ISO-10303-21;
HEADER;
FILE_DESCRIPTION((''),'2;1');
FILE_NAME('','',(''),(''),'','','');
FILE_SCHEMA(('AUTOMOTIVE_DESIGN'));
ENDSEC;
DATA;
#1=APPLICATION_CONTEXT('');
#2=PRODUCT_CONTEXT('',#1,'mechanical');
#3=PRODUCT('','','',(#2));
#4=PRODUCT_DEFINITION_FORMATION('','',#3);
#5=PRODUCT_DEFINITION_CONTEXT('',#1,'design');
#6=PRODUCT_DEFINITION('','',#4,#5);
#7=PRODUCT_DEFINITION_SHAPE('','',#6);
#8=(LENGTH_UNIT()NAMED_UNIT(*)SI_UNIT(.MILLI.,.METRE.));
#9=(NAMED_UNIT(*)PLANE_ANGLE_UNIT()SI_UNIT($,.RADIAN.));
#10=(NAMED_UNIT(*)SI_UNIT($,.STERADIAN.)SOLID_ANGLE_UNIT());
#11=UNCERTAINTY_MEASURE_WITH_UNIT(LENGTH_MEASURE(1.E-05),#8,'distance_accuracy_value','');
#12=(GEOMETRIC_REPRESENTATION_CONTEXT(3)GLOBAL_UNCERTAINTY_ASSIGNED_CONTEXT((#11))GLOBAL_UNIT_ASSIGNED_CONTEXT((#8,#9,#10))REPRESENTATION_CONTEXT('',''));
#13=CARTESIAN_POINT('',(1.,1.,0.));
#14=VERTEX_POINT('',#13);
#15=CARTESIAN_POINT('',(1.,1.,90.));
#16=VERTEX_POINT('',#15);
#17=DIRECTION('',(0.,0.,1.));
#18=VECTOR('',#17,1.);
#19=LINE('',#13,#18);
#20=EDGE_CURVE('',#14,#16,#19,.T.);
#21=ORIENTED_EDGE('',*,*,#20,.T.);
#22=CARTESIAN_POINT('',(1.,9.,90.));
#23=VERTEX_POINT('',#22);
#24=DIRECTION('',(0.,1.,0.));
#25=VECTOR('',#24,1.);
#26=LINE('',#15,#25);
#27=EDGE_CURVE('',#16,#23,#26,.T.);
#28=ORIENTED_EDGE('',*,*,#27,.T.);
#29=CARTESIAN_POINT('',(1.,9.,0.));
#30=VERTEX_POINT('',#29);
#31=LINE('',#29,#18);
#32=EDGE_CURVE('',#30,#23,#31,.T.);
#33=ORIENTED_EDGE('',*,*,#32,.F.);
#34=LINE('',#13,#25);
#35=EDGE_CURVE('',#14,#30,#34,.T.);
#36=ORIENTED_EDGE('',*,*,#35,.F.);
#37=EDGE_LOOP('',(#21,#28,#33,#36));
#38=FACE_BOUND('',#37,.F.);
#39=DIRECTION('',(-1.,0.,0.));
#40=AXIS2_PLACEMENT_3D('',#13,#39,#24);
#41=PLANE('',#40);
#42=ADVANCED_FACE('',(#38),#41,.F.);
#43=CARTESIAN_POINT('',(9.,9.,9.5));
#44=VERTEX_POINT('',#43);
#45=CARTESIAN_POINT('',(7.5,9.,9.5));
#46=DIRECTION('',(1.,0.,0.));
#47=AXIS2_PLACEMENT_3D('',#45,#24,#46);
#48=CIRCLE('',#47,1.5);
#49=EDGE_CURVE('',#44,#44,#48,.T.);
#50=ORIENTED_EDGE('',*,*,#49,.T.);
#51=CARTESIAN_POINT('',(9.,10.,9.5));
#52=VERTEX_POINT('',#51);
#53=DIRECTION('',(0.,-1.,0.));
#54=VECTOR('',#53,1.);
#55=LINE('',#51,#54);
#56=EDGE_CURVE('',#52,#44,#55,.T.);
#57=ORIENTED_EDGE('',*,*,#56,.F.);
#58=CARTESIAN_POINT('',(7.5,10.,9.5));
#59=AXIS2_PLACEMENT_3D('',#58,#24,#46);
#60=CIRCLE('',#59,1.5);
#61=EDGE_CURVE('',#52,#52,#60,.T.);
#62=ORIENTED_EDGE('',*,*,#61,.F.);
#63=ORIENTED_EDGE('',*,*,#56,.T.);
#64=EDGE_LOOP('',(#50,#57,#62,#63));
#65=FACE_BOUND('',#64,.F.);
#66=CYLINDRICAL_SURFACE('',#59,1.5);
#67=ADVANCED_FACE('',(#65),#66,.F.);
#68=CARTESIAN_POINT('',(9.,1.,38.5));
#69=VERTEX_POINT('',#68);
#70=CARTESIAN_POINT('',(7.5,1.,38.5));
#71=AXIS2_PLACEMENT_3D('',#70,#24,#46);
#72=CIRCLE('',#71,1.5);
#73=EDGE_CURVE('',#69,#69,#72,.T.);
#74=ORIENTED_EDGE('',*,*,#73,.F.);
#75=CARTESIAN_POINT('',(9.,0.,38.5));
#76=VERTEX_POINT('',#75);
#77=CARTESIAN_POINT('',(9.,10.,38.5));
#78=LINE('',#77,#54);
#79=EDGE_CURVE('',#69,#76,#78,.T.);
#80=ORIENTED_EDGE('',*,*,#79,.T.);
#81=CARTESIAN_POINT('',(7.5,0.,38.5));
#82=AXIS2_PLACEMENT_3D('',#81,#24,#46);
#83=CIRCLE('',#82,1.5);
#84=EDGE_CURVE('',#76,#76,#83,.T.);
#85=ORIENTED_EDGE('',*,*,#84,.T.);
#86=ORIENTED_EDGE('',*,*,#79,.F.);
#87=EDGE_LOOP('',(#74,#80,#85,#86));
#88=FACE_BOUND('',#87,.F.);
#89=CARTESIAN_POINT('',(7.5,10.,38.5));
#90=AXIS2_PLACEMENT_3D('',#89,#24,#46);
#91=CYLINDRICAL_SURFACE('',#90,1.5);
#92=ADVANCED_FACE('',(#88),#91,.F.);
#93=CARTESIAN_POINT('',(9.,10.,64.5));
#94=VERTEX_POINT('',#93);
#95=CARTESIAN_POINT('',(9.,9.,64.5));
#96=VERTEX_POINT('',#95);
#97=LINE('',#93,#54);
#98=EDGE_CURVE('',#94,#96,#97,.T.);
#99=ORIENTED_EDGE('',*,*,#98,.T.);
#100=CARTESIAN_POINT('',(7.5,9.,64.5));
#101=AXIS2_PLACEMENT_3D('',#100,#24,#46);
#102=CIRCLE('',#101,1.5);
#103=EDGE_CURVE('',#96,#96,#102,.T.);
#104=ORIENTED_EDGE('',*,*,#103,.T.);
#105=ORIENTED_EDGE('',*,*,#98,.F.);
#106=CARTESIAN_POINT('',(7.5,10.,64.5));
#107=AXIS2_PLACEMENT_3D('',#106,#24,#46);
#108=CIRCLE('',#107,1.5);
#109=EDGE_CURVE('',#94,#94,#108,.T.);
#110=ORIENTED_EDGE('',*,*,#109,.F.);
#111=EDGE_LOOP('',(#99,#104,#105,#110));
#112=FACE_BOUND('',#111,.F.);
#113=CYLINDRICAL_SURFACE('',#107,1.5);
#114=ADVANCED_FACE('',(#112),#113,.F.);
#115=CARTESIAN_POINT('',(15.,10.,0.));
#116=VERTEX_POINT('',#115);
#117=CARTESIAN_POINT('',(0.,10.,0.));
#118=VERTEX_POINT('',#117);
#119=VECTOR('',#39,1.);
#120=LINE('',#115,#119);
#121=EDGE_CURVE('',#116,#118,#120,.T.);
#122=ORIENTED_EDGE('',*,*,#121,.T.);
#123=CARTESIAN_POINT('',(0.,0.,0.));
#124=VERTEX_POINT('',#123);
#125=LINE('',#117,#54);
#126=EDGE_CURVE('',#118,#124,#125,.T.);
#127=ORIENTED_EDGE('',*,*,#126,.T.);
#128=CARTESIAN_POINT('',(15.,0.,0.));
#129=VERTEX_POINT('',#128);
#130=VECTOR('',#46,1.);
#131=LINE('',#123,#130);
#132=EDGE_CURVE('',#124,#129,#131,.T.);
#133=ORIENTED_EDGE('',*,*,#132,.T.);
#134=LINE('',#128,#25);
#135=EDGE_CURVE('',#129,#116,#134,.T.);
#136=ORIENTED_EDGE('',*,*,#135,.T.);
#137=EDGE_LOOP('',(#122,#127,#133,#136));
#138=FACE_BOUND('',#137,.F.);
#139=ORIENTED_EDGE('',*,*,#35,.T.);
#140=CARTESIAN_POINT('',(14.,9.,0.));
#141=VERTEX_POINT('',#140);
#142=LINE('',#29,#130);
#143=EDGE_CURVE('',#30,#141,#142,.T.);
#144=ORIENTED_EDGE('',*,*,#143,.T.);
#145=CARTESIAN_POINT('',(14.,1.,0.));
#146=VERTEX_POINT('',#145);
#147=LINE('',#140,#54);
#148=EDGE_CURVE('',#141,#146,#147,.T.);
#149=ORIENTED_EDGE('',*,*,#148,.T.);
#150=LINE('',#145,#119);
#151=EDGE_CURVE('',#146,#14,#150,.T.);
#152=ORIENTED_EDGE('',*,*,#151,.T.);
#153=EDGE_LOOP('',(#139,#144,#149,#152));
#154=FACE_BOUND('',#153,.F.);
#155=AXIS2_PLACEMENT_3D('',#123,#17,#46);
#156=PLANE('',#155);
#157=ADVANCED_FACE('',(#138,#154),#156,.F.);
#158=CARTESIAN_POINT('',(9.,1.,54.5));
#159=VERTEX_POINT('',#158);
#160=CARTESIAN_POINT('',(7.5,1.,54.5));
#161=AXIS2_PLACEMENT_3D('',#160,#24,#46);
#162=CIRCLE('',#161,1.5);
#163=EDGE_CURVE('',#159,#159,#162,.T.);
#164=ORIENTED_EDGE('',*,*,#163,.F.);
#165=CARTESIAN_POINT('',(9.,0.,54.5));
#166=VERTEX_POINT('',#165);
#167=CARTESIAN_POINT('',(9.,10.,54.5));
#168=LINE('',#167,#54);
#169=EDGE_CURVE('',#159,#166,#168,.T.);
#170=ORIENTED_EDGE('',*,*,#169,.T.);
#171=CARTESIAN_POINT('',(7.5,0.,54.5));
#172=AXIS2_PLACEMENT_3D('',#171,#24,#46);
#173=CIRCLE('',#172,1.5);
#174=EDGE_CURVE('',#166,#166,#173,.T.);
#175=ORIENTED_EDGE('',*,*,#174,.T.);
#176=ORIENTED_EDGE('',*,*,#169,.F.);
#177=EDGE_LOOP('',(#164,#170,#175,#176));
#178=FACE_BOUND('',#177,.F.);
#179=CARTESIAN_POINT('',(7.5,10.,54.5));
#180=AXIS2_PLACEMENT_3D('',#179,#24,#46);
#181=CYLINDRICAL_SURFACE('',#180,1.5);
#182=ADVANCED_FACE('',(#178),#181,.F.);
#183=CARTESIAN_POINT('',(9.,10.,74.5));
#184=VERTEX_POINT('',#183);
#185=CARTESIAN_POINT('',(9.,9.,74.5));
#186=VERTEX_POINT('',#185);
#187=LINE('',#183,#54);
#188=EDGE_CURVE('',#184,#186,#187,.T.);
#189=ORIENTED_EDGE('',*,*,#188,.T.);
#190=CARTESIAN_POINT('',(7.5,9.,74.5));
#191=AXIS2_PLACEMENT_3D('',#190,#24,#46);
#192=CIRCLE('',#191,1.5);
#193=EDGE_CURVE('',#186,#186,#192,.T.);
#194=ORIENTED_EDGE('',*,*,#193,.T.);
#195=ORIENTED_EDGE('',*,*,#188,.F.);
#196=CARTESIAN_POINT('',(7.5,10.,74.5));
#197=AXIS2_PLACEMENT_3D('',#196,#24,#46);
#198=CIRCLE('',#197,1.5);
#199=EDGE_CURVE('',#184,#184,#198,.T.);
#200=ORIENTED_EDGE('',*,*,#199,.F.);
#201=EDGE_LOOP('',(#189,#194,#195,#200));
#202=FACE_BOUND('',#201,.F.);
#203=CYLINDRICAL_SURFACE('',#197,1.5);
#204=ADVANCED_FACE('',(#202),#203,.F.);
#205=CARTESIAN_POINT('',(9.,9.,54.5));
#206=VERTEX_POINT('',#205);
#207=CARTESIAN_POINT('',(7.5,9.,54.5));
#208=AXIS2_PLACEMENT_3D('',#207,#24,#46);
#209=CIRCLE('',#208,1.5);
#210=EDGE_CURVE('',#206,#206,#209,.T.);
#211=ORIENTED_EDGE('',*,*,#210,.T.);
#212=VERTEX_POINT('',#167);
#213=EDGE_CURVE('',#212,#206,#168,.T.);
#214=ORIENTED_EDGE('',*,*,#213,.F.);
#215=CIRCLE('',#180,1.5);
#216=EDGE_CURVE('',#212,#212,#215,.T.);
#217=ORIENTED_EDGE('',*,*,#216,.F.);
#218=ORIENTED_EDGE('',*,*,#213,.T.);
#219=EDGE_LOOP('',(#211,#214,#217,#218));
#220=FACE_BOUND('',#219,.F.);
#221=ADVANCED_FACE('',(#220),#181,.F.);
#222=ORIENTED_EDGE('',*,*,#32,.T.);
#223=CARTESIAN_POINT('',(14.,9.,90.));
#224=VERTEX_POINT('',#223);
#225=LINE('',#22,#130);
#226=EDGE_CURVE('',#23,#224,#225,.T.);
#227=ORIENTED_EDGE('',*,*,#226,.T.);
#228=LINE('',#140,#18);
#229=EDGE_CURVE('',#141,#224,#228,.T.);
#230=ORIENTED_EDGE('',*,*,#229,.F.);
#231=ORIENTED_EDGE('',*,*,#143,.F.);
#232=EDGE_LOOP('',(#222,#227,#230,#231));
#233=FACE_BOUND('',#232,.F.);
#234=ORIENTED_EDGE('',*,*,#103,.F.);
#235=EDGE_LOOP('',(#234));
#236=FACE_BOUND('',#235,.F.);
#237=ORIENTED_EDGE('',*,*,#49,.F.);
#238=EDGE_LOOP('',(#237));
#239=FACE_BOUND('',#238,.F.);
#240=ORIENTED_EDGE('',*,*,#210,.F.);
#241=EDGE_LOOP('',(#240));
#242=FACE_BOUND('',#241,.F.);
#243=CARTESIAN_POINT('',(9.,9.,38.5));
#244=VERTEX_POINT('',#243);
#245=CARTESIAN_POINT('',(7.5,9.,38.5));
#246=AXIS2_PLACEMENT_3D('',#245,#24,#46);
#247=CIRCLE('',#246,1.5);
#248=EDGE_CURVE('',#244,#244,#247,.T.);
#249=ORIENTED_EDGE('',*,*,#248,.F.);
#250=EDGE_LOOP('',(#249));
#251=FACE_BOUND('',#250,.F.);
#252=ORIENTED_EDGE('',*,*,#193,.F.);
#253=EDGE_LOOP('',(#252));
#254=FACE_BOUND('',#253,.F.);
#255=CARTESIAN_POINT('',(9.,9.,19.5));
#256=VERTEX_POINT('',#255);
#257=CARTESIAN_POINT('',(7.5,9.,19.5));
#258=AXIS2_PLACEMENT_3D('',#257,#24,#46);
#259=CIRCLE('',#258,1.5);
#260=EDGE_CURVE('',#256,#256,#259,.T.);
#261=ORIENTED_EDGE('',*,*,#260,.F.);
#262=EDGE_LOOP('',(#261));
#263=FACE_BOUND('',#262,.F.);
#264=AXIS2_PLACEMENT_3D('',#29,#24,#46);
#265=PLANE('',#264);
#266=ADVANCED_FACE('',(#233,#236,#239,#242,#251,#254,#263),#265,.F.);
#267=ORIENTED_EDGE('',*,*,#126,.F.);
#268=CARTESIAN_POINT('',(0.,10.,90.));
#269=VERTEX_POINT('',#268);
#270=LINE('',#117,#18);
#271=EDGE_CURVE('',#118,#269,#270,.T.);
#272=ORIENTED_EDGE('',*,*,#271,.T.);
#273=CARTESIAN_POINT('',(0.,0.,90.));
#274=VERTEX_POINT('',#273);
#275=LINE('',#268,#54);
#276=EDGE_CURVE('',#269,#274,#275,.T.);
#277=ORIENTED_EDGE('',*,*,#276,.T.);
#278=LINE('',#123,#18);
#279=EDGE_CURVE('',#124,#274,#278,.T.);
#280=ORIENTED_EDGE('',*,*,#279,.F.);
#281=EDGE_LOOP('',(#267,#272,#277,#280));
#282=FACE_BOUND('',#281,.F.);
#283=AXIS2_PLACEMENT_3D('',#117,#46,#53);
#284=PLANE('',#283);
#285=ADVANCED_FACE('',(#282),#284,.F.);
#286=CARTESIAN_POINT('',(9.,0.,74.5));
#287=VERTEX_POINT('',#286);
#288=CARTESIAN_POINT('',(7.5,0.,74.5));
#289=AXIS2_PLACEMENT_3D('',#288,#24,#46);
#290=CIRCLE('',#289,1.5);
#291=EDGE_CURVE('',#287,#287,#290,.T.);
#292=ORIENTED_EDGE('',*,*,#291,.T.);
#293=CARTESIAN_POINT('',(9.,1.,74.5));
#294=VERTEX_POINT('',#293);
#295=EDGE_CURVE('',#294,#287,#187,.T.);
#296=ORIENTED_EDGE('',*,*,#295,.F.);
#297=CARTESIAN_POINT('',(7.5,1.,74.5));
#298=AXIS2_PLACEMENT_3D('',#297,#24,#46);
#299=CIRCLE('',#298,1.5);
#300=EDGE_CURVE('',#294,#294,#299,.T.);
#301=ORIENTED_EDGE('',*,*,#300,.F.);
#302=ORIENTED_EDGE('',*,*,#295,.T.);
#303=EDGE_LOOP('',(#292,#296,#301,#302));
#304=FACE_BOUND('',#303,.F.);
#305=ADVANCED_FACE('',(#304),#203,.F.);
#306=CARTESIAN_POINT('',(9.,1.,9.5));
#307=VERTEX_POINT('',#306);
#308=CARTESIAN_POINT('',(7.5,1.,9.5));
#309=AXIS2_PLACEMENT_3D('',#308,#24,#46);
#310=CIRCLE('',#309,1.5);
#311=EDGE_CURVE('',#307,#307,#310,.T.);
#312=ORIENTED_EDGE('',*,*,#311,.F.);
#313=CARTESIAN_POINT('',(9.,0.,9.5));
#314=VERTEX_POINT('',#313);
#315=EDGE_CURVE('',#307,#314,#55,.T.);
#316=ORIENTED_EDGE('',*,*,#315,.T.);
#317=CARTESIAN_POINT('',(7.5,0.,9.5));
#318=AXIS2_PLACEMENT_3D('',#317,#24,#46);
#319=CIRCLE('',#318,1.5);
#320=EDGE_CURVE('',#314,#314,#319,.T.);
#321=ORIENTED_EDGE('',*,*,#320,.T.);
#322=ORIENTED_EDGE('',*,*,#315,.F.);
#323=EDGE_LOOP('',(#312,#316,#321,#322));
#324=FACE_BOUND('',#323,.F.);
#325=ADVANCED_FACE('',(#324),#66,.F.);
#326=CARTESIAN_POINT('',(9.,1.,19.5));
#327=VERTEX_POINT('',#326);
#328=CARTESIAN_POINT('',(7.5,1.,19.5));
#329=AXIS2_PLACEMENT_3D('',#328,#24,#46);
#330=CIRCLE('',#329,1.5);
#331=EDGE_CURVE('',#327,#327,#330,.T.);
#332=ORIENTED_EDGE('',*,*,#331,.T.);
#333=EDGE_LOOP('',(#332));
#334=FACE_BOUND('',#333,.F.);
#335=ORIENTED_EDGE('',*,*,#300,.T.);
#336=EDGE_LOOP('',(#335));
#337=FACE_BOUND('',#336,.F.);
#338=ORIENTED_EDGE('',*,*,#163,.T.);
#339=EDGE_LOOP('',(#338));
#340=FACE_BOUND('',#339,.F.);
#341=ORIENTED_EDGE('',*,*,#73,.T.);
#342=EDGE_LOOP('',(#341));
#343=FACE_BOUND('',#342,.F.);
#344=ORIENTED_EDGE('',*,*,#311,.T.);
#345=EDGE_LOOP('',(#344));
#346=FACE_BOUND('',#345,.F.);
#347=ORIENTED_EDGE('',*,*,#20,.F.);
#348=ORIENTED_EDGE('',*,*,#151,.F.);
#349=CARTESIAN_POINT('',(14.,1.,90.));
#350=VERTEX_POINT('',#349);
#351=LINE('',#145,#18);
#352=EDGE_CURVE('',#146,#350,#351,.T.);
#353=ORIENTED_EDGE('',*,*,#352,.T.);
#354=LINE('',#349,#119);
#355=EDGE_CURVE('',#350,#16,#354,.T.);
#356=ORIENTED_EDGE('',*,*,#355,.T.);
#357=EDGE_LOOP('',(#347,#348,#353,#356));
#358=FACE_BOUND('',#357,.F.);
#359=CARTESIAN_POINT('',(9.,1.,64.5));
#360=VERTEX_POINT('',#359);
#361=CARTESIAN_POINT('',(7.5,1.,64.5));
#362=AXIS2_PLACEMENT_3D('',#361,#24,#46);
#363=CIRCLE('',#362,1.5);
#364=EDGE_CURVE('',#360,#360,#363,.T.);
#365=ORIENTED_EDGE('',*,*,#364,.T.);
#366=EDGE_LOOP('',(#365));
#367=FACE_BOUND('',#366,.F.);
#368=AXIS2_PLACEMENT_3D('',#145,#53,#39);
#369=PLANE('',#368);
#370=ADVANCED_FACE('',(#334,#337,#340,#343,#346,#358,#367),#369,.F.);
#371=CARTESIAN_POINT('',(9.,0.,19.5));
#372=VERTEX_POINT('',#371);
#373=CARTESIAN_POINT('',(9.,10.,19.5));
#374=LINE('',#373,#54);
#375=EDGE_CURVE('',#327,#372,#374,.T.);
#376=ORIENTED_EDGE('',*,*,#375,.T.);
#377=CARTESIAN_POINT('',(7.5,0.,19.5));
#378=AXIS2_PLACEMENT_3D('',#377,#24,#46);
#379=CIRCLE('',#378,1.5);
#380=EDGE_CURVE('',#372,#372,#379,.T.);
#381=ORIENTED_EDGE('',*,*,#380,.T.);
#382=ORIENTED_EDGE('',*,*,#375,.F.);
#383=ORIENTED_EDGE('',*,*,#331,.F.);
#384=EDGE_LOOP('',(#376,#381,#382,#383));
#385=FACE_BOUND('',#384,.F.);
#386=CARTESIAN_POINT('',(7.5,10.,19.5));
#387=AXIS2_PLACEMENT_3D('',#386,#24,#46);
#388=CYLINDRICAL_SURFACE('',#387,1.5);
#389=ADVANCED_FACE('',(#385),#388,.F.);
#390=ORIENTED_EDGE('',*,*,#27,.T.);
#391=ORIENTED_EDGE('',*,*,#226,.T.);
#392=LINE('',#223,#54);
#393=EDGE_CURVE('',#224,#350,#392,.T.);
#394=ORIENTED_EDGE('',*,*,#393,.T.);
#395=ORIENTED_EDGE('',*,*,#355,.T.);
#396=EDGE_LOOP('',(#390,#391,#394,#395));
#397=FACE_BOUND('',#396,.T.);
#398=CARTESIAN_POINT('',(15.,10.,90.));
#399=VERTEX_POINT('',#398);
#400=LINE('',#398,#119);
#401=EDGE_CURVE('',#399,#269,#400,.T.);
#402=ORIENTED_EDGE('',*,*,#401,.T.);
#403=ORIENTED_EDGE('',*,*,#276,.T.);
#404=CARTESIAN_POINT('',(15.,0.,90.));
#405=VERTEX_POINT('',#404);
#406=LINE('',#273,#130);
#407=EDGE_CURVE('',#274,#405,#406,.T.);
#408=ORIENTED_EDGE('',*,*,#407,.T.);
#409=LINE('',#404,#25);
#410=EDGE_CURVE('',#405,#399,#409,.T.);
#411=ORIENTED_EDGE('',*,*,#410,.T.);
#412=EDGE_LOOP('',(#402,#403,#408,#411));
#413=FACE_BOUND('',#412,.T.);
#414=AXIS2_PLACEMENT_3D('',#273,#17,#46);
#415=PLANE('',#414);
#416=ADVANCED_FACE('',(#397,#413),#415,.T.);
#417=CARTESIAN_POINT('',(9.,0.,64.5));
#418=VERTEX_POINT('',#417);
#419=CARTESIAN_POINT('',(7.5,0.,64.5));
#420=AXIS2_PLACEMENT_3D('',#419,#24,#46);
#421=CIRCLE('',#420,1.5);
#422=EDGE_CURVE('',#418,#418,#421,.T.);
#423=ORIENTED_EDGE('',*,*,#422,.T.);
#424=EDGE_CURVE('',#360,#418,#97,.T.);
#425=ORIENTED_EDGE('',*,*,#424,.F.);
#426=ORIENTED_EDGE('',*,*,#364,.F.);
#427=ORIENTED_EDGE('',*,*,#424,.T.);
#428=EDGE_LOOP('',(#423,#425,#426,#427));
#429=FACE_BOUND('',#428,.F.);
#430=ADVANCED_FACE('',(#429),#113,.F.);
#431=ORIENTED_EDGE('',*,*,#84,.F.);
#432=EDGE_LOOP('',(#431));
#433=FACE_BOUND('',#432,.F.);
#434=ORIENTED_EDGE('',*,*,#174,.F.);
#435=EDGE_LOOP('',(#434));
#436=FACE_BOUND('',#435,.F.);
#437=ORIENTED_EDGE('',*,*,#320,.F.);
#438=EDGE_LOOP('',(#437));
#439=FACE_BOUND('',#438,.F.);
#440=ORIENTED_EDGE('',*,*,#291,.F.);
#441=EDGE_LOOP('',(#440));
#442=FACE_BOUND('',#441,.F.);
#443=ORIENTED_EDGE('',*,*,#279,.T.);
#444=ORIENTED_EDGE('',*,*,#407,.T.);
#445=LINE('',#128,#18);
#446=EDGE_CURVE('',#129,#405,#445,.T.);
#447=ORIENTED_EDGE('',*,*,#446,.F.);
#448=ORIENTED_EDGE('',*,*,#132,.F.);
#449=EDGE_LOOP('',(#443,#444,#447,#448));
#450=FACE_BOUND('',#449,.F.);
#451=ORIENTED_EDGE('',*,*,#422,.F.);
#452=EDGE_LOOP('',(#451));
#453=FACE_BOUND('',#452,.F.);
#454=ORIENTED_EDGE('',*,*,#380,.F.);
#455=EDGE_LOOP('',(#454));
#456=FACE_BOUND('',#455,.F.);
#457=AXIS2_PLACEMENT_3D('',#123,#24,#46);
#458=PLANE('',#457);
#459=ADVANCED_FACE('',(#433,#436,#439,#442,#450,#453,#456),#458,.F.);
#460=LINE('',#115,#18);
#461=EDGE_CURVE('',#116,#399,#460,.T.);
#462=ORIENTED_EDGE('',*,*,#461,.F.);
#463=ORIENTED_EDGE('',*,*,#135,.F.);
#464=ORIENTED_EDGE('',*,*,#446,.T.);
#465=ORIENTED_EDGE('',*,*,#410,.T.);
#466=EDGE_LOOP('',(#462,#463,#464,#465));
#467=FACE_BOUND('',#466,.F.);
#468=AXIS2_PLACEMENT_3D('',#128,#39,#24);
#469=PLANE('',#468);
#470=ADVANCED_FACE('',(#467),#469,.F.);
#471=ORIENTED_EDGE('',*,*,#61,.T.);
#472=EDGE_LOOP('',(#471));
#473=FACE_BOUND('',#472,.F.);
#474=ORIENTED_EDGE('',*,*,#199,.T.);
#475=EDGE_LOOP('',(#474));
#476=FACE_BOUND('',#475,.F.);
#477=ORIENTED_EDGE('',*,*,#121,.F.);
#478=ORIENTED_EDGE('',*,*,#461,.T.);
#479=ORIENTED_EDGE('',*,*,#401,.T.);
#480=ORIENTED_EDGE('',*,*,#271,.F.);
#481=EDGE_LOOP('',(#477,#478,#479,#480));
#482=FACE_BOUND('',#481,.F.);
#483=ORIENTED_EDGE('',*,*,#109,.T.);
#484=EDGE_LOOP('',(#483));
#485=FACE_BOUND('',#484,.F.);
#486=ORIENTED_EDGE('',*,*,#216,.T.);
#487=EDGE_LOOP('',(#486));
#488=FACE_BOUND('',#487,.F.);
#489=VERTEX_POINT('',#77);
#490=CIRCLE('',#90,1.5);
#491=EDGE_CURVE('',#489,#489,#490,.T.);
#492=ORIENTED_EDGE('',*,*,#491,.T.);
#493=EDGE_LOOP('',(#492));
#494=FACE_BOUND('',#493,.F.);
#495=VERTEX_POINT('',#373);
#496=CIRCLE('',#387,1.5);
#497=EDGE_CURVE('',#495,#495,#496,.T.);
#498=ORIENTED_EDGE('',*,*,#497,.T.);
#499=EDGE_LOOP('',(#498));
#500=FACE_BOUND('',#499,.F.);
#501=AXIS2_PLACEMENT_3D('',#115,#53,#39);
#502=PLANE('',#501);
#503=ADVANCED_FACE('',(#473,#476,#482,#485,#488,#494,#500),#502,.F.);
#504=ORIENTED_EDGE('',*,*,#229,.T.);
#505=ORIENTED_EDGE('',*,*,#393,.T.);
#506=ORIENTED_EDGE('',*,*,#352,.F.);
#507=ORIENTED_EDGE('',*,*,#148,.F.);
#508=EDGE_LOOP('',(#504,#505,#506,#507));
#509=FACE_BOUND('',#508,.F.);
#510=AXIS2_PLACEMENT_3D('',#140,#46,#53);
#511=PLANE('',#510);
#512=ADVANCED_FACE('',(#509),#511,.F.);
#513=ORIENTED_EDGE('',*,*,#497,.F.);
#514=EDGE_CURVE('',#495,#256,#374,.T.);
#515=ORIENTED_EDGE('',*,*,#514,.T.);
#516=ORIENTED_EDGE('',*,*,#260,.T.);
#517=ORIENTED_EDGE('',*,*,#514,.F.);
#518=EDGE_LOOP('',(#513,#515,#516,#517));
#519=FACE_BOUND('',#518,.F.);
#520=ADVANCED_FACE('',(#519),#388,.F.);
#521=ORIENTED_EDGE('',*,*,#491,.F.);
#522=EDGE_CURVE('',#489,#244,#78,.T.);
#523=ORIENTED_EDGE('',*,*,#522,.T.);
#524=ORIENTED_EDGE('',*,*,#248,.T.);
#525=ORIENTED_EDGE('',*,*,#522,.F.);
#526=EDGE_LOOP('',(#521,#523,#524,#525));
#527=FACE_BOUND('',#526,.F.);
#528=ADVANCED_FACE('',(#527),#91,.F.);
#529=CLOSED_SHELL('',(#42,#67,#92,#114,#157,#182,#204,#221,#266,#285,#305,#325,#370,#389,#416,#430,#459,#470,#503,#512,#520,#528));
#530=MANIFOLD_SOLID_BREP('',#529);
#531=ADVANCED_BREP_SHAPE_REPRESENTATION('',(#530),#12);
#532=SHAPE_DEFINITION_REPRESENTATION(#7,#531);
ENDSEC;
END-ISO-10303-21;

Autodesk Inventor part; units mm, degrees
ref_plane "YZ Plane" through (0, 0, 0) normal (1, 0, 0) x (0, 1, 0)
ref_plane "XZ Plane" through (0, 0, 0) normal (0, 1, 0) x (-1, 0, 0)
ref_plane "XY Plane" through (0, 0, 0) normal (0, 0, 1) x (1, 0, 0)
sketch "Sketch1" plane through (0, 0, 0) normal (0, 0, 1) x (1, 0, 0)
  line L0 (0, 0) -> (15, 0)
  line L1 (15, 0) -> (15, 10)
  line L2 (15, 10) -> (0, 10)
  line L3 (0, 10) -> (0, 0)
  line L4 (1, 9) -> (14, 9)
  line L5 (14, 9) -> (14, 1)
  line L6 (14, 1) -> (1, 1)
  line L7 (1, 1) -> (1, 9)
  dimension "d0" = 15
  dimension "d1" = 10
  dimension "d2" = 13
  dimension "d3" = 8
  dimension "d4" = 1
  dimension "d5" = 1
extrude "Extrusion1" add sketch "Sketch1" along normal blind 90
sketch "Sketch2" plane through (0, 10, 0) normal (0, 1, 0) x (1, 0, 0)
  line L0 (15, 0) -> (0, 0) projected
  line L1 (0, 0) -> (0, -90) projected
  line L2 (15, -90) -> (0, -90) projected
  line L3 (15, 0) -> (15, -90) projected
  circle A0 centre (7.5, -9.5) radius 1.5
  circle A1 centre (7.5, -74.5) radius 1.5
  circle A2 centre (7.5, -19.5) radius 1.5
  circle A3 centre (7.5, -64.5) radius 1.5
  circle A4 centre (7.5, -54.5) radius 1.5
  circle A5 centre (7.5, -38.5) radius 1.5
  dimension "d8" = 3
  dimension "d9" = 3
  dimension "d10" = 7.5
  dimension "d11" = 7.5
  dimension "d12" = 9.5
  dimension "d13" = 15.5
  dimension "d24" = 3
  dimension "d25" = 3
  dimension "d26" = 3
  dimension "d27" = 3
  dimension "d28" = 7.5
  dimension "d29" = 7.5
  dimension "d30" = 7.5
  dimension "d31" = 7.5
  dimension "d32" = 10
  dimension "d33" = 10
  dimension "d34" = 10
  dimension "d35" = 16
extrude "Extrusion2" cut sketch "Sketch2" against normal up to surface (10 mm away) contours A0 | A1 | A2 | A3 | A4 | A5
sketch "Sketch3" plane through (15, 0, 0) normal (1, 0, 0) x (0, 0, -1)
  line L0 (0, 0) -> (0, 10) projected
  line L1 (0, 10) -> (-90, 10) projected
  line L2 (-90, 0) -> (-90, 10) projected
  line L3 (0, 0) -> (-90, 0) projected
  circle A0 centre (-9, 5) radius 1.5
  circle A1 centre (-85, 5) radius 1.5
  dimension "d16" = 3
  dimension "d17" = 5
  dimension "d18" = 9
  dimension "d21" = 3
  dimension "d22" = 5
  dimension "d23" = 5
extrude "Extrusion3" [suppressed]
properties part number "profile4" material "Aluminum 6061, Welded"
